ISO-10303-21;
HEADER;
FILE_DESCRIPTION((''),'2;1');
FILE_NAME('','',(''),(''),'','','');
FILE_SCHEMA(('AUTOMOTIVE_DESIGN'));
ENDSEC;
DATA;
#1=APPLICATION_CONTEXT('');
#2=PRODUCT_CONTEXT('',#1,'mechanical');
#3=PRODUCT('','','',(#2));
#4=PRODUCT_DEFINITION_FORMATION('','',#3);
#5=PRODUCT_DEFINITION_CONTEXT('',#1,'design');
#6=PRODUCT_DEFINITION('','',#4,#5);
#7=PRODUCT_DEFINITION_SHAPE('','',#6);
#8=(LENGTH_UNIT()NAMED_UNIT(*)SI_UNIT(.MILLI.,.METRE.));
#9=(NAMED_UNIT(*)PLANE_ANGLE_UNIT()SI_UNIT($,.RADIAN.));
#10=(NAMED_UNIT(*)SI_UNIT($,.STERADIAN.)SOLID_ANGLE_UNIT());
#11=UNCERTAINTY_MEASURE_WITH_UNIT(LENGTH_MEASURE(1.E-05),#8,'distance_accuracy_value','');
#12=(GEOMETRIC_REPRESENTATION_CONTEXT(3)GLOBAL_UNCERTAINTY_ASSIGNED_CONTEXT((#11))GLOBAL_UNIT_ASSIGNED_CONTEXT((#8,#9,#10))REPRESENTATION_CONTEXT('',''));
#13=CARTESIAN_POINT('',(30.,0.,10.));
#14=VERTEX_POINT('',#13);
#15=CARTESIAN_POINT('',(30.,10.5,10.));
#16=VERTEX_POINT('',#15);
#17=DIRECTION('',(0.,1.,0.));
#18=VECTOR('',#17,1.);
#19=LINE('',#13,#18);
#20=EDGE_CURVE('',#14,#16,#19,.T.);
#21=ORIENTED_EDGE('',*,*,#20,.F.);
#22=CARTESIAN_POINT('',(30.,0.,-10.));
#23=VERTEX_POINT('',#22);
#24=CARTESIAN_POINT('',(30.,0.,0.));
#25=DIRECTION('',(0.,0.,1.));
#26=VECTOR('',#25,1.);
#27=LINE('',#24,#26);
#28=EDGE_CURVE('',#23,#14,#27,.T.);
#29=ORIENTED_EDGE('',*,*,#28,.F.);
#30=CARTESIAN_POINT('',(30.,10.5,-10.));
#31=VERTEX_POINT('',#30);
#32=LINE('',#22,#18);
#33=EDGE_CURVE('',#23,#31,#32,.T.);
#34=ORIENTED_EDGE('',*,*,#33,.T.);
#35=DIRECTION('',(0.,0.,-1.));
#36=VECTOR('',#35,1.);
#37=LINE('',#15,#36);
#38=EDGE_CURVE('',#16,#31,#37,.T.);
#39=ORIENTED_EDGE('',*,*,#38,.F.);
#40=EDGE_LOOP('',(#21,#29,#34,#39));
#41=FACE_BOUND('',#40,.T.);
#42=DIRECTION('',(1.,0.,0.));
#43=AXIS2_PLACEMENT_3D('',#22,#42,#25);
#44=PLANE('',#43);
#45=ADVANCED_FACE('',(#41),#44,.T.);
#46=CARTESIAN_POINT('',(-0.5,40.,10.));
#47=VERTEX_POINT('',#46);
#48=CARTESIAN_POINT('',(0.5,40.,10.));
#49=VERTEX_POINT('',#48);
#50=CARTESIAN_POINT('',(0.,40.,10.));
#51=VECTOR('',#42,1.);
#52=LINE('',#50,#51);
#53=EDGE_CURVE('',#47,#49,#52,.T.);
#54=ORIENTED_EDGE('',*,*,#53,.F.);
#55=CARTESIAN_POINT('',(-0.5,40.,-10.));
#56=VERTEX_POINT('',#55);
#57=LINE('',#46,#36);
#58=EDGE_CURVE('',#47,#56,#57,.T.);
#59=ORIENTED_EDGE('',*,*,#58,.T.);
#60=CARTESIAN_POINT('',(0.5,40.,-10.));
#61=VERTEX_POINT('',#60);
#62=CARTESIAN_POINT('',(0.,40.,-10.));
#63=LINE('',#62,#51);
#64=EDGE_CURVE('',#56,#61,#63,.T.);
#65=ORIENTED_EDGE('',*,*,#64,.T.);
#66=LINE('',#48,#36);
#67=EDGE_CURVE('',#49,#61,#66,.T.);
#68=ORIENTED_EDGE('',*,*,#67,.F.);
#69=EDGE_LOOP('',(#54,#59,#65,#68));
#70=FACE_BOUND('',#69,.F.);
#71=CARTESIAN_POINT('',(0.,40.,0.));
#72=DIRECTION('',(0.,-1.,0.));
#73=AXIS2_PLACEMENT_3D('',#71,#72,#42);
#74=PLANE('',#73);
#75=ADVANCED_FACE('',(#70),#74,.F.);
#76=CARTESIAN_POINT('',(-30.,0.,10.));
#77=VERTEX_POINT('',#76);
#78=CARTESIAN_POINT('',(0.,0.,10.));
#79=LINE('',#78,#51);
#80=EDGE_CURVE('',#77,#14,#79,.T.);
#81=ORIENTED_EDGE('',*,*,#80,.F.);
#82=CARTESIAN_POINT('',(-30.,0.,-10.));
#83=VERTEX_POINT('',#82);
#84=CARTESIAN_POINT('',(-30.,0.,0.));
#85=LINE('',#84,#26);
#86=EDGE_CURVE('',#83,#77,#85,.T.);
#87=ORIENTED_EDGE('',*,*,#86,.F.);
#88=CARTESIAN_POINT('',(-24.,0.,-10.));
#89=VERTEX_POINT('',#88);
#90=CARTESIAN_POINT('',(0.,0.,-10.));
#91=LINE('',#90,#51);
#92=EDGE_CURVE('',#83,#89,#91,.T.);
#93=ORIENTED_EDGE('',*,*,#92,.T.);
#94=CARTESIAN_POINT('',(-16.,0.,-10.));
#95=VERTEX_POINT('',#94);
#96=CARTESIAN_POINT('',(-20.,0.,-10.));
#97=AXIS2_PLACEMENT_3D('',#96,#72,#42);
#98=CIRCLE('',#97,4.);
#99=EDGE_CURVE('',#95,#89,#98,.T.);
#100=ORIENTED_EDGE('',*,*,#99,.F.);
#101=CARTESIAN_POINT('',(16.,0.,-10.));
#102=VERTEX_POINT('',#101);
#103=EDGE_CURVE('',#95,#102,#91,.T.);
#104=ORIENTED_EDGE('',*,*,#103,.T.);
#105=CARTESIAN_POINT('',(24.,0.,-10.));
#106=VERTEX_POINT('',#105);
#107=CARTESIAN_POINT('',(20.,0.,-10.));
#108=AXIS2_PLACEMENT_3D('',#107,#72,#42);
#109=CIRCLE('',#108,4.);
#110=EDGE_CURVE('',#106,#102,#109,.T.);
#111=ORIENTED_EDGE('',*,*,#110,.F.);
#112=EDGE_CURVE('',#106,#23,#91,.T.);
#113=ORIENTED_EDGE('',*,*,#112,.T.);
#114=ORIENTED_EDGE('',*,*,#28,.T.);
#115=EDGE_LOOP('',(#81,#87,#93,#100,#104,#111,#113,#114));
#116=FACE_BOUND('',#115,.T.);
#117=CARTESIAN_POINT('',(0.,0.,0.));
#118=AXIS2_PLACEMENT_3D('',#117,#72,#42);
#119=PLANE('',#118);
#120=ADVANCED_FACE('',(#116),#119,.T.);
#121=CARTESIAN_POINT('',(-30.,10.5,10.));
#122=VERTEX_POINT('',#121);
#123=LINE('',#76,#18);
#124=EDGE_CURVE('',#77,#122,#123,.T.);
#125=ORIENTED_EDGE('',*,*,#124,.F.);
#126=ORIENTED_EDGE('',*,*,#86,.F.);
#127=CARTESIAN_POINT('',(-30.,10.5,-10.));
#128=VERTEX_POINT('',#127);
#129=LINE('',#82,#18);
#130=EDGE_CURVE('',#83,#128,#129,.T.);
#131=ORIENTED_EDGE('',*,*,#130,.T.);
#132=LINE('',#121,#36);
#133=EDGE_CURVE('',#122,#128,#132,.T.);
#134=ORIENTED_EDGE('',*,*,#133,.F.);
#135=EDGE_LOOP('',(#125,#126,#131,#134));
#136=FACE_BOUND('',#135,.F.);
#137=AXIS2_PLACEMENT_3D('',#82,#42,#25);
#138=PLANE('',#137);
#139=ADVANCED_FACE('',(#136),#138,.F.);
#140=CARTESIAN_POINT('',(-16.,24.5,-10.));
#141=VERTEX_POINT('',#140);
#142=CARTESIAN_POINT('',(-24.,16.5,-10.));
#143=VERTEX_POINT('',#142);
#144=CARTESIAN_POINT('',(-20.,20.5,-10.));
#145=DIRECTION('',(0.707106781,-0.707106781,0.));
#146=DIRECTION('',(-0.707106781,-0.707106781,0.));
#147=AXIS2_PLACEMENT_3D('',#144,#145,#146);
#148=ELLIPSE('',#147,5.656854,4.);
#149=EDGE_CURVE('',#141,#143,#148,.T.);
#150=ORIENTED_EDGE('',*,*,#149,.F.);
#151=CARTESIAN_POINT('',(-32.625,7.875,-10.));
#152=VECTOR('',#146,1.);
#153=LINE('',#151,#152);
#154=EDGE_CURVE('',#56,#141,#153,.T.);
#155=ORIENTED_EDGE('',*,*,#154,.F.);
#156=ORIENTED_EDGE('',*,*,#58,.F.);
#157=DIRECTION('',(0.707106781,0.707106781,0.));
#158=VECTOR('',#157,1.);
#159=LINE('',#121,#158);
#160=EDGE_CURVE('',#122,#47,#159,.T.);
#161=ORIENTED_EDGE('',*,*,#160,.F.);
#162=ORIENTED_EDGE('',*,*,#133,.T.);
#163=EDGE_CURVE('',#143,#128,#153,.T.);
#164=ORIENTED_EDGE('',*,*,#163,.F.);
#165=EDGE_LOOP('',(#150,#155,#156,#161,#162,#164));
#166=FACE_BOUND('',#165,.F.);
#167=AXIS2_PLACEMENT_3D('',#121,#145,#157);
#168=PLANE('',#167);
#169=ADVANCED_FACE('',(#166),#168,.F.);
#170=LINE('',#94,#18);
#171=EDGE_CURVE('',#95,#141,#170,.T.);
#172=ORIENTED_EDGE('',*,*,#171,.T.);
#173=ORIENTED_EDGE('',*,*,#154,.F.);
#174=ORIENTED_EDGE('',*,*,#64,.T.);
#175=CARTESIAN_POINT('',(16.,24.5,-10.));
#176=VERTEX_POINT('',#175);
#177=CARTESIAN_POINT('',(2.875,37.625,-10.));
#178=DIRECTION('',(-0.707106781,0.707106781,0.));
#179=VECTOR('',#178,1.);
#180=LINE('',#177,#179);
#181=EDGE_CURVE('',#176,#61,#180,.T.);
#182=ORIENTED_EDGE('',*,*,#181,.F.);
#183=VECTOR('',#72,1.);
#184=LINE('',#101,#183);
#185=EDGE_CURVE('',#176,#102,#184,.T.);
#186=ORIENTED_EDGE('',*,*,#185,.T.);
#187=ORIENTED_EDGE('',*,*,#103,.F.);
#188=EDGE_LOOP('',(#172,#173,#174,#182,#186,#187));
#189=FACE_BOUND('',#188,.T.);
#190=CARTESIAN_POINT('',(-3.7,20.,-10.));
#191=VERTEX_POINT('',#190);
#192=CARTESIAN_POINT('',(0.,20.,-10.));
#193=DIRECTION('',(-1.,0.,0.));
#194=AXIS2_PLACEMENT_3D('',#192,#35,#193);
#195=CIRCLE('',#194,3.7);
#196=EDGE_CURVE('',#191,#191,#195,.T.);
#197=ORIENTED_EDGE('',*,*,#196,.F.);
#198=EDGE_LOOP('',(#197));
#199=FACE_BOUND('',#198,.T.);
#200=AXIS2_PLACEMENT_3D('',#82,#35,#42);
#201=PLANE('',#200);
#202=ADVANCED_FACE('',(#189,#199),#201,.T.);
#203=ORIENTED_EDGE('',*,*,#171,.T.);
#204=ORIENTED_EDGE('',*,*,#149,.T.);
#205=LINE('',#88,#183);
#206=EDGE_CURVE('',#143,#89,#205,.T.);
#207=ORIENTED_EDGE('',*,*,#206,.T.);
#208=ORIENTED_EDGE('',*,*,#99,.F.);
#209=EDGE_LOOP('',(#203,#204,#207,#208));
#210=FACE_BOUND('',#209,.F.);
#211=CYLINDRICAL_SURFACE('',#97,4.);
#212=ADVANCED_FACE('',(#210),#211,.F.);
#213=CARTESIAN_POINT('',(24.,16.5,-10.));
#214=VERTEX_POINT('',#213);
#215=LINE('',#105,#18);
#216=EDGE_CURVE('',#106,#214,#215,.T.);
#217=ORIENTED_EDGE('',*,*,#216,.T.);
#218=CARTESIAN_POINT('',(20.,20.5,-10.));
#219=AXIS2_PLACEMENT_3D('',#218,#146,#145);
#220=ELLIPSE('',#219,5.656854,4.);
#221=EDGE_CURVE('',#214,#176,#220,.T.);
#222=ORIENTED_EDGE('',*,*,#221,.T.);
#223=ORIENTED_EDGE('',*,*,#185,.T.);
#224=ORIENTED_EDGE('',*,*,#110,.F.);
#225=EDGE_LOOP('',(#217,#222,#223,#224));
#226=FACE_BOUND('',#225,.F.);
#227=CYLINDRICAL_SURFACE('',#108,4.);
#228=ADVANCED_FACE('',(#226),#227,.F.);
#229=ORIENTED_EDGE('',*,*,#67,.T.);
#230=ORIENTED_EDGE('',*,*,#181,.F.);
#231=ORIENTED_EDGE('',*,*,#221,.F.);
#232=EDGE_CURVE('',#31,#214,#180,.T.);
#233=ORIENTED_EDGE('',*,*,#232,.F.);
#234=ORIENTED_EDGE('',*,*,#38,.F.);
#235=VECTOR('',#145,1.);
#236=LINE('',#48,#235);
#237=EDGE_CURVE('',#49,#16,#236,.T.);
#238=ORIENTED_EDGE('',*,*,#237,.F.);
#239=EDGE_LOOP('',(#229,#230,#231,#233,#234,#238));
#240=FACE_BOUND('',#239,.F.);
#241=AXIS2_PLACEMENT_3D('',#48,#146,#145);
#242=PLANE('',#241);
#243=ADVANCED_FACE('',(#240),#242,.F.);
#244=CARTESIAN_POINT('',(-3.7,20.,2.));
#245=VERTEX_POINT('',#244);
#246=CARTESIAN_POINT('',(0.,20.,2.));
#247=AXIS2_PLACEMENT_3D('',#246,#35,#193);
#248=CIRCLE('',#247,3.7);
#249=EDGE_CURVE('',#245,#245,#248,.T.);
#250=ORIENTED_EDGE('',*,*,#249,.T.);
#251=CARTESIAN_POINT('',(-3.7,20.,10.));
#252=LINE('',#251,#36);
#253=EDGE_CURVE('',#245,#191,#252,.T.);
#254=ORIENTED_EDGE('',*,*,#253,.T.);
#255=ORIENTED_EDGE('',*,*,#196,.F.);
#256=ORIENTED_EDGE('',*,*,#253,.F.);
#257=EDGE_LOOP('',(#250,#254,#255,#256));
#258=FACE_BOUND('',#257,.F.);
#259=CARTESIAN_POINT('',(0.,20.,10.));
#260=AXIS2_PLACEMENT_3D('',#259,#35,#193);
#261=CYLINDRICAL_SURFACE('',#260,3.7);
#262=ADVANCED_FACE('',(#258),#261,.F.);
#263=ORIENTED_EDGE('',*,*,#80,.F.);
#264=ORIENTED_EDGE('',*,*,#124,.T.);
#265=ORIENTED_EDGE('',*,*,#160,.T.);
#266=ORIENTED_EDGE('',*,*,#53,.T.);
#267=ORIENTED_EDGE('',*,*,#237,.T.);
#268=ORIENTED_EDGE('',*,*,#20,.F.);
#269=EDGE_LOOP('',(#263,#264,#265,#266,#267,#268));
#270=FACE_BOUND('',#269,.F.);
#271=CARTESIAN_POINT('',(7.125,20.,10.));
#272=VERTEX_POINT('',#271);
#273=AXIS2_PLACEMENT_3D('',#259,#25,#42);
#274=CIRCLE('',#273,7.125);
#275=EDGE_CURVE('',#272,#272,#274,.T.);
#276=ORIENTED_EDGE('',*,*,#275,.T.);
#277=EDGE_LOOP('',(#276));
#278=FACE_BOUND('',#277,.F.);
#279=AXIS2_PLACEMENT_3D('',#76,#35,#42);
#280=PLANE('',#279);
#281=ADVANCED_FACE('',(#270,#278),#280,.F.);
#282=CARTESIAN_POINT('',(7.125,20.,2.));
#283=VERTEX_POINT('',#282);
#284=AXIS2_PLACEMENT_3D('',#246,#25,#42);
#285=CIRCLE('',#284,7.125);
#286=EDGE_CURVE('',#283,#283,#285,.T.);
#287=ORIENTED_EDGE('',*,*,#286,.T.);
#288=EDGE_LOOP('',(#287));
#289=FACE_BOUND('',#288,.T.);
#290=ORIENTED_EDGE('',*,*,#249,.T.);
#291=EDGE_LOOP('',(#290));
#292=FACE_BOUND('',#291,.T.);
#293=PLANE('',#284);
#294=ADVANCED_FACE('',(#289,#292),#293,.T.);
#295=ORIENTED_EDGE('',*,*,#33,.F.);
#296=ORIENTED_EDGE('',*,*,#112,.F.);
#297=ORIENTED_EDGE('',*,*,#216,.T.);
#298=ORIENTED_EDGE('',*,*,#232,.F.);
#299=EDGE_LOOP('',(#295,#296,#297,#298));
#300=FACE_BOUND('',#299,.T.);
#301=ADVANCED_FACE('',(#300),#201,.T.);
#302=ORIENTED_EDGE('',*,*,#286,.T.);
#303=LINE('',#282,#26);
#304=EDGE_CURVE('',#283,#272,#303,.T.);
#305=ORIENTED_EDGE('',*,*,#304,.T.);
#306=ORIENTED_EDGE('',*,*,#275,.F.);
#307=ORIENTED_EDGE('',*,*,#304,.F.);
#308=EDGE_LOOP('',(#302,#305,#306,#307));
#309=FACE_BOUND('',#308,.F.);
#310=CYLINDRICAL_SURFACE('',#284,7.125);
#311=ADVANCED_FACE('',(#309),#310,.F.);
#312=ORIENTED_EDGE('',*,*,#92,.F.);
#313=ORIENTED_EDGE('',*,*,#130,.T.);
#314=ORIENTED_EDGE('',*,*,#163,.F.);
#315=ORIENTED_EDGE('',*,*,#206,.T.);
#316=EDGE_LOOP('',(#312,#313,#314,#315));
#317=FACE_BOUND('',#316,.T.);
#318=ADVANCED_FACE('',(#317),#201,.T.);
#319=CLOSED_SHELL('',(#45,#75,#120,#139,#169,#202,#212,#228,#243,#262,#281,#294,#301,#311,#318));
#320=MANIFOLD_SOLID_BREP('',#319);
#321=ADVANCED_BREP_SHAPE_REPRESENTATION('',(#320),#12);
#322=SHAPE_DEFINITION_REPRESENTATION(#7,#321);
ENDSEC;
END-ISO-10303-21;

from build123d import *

# Parameters (mm, degrees)
F0_W           = 60
F0_H           = 20
F1_DEPTH       = 40
F3_DEPTH       = 20.001
F4_R           = 4
F5_DEPTH       = 40.001
F7_D           = 7.4
F7_DEPTH       = 30
F7_CBORE_D     = 14.25
F7_CBORE_DEPTH = 8
F7_TIP         = 2.2231842904


with BuildPart() as f1:
    # F0 (on Front) → F1 (new body)
    with BuildSketch(Plane.XZ):
        Rectangle(F0_W, F0_H)
    extrude(amount=-F1_DEPTH)

    # F2 (on face) → F3 (cut, through all)
    with BuildSketch(Plane.XY.offset(10)):
        Polygon((-30, 10.5), (-0.5, 40), (-30, 40), align=None)
        Polygon((30, 40), (0.5, 40), (30, 10.5), align=None)
    extrude(amount=-F3_DEPTH, mode=Mode.SUBTRACT)

    # F4 (on face) → F5 (cut, through all)
    with BuildSketch(Plane.XZ):
        with Locations((-20, -10)):
            Circle(F4_R)
        with Locations((20, -10)):
            Circle(F4_R)
    extrude(amount=-F5_DEPTH, mode=Mode.SUBTRACT)

    # F7
    with Locations(Plane.XY.offset(10)):
        with Locations((0, 20)):
            CounterBoreHole(F7_D / 2, F7_CBORE_D / 2, F7_CBORE_DEPTH, depth=F7_DEPTH)
            with Locations((0, 0, -(F7_DEPTH + F7_TIP / 2))):  # 118° drill point
                Cone(0, F7_D / 2, F7_TIP, mode=Mode.SUBTRACT)


solid = f1.part
